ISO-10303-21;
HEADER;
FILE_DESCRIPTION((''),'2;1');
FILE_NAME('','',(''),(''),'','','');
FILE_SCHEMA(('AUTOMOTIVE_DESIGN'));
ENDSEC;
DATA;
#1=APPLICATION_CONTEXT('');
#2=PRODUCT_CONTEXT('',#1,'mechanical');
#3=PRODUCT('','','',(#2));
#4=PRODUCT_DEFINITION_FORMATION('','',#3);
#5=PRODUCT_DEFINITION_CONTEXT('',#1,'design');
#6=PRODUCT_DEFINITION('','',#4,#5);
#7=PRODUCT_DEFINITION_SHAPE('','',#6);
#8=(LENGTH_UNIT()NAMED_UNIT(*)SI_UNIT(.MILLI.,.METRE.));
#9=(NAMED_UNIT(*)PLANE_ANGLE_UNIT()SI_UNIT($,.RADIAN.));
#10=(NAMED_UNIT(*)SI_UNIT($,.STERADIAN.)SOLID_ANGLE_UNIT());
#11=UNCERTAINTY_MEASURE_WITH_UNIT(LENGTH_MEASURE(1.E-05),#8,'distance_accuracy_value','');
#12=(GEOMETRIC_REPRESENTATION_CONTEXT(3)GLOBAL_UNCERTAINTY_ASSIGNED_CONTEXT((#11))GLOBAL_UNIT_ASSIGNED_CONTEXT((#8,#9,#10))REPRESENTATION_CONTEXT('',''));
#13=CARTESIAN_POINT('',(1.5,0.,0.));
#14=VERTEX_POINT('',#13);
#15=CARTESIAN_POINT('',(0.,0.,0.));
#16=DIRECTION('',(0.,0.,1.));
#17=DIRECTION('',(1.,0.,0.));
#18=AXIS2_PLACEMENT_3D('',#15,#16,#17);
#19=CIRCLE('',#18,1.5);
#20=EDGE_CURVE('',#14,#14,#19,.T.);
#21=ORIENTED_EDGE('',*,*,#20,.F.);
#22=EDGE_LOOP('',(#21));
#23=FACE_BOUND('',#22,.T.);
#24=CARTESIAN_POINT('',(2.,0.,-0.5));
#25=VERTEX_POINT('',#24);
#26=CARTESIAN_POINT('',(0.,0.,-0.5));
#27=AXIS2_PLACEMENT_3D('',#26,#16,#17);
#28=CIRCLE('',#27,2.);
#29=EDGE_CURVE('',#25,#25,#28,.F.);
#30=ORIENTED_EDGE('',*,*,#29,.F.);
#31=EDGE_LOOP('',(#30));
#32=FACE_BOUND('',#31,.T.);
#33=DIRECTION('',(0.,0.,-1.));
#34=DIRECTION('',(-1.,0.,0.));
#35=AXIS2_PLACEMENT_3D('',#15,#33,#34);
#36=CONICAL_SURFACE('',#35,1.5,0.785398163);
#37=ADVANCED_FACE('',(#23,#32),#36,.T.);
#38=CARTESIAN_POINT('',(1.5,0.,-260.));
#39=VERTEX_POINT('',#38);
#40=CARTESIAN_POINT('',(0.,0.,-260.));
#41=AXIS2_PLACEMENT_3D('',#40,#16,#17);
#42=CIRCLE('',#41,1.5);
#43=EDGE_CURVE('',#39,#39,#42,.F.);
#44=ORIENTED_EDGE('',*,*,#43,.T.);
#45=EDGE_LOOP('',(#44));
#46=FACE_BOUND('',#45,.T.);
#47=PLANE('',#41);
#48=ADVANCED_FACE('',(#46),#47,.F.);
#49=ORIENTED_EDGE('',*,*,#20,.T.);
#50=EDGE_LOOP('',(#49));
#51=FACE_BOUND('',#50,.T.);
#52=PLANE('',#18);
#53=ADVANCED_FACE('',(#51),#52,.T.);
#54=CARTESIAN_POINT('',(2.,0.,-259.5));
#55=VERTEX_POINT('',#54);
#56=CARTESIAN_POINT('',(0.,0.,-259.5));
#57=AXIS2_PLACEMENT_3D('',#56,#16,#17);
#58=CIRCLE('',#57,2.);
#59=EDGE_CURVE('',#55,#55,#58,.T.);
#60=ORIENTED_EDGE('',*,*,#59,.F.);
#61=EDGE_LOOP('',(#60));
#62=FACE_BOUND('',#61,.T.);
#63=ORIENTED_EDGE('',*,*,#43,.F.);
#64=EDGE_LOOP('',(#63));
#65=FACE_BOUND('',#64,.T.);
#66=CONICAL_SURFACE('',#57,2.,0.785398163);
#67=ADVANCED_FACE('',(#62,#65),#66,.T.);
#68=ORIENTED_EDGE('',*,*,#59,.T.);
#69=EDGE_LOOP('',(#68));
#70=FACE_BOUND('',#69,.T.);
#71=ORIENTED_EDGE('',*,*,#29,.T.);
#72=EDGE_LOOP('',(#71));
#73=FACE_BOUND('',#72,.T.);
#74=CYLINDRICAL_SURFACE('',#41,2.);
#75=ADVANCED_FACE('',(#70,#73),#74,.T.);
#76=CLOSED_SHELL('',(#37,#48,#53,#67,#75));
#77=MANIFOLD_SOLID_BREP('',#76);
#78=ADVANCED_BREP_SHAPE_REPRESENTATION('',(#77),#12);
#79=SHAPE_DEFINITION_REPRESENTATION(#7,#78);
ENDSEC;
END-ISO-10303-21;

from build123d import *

# Parameters (mm, degrees)
SKETCH_1_R      = 2
EXTRUDE_1_DEPTH = 260
CHAMFER_1_SIZE  = 0.5


with BuildPart() as part:
    # 草图1 → 凸台-拉伸1 (new body)
    with BuildSketch(Plane.XY):
        Circle(SKETCH_1_R)
    extrude(amount=-EXTRUDE_1_DEPTH)

    # 倒角1
    chamfer_1_edges = [part.edges().sort_by_distance(p)[0] for p in [
        (-2, 0, 0),
        (-2, 0, -260),
    ]]
    chamfer(chamfer_1_edges, length=CHAMFER_1_SIZE)


solid = part.part
